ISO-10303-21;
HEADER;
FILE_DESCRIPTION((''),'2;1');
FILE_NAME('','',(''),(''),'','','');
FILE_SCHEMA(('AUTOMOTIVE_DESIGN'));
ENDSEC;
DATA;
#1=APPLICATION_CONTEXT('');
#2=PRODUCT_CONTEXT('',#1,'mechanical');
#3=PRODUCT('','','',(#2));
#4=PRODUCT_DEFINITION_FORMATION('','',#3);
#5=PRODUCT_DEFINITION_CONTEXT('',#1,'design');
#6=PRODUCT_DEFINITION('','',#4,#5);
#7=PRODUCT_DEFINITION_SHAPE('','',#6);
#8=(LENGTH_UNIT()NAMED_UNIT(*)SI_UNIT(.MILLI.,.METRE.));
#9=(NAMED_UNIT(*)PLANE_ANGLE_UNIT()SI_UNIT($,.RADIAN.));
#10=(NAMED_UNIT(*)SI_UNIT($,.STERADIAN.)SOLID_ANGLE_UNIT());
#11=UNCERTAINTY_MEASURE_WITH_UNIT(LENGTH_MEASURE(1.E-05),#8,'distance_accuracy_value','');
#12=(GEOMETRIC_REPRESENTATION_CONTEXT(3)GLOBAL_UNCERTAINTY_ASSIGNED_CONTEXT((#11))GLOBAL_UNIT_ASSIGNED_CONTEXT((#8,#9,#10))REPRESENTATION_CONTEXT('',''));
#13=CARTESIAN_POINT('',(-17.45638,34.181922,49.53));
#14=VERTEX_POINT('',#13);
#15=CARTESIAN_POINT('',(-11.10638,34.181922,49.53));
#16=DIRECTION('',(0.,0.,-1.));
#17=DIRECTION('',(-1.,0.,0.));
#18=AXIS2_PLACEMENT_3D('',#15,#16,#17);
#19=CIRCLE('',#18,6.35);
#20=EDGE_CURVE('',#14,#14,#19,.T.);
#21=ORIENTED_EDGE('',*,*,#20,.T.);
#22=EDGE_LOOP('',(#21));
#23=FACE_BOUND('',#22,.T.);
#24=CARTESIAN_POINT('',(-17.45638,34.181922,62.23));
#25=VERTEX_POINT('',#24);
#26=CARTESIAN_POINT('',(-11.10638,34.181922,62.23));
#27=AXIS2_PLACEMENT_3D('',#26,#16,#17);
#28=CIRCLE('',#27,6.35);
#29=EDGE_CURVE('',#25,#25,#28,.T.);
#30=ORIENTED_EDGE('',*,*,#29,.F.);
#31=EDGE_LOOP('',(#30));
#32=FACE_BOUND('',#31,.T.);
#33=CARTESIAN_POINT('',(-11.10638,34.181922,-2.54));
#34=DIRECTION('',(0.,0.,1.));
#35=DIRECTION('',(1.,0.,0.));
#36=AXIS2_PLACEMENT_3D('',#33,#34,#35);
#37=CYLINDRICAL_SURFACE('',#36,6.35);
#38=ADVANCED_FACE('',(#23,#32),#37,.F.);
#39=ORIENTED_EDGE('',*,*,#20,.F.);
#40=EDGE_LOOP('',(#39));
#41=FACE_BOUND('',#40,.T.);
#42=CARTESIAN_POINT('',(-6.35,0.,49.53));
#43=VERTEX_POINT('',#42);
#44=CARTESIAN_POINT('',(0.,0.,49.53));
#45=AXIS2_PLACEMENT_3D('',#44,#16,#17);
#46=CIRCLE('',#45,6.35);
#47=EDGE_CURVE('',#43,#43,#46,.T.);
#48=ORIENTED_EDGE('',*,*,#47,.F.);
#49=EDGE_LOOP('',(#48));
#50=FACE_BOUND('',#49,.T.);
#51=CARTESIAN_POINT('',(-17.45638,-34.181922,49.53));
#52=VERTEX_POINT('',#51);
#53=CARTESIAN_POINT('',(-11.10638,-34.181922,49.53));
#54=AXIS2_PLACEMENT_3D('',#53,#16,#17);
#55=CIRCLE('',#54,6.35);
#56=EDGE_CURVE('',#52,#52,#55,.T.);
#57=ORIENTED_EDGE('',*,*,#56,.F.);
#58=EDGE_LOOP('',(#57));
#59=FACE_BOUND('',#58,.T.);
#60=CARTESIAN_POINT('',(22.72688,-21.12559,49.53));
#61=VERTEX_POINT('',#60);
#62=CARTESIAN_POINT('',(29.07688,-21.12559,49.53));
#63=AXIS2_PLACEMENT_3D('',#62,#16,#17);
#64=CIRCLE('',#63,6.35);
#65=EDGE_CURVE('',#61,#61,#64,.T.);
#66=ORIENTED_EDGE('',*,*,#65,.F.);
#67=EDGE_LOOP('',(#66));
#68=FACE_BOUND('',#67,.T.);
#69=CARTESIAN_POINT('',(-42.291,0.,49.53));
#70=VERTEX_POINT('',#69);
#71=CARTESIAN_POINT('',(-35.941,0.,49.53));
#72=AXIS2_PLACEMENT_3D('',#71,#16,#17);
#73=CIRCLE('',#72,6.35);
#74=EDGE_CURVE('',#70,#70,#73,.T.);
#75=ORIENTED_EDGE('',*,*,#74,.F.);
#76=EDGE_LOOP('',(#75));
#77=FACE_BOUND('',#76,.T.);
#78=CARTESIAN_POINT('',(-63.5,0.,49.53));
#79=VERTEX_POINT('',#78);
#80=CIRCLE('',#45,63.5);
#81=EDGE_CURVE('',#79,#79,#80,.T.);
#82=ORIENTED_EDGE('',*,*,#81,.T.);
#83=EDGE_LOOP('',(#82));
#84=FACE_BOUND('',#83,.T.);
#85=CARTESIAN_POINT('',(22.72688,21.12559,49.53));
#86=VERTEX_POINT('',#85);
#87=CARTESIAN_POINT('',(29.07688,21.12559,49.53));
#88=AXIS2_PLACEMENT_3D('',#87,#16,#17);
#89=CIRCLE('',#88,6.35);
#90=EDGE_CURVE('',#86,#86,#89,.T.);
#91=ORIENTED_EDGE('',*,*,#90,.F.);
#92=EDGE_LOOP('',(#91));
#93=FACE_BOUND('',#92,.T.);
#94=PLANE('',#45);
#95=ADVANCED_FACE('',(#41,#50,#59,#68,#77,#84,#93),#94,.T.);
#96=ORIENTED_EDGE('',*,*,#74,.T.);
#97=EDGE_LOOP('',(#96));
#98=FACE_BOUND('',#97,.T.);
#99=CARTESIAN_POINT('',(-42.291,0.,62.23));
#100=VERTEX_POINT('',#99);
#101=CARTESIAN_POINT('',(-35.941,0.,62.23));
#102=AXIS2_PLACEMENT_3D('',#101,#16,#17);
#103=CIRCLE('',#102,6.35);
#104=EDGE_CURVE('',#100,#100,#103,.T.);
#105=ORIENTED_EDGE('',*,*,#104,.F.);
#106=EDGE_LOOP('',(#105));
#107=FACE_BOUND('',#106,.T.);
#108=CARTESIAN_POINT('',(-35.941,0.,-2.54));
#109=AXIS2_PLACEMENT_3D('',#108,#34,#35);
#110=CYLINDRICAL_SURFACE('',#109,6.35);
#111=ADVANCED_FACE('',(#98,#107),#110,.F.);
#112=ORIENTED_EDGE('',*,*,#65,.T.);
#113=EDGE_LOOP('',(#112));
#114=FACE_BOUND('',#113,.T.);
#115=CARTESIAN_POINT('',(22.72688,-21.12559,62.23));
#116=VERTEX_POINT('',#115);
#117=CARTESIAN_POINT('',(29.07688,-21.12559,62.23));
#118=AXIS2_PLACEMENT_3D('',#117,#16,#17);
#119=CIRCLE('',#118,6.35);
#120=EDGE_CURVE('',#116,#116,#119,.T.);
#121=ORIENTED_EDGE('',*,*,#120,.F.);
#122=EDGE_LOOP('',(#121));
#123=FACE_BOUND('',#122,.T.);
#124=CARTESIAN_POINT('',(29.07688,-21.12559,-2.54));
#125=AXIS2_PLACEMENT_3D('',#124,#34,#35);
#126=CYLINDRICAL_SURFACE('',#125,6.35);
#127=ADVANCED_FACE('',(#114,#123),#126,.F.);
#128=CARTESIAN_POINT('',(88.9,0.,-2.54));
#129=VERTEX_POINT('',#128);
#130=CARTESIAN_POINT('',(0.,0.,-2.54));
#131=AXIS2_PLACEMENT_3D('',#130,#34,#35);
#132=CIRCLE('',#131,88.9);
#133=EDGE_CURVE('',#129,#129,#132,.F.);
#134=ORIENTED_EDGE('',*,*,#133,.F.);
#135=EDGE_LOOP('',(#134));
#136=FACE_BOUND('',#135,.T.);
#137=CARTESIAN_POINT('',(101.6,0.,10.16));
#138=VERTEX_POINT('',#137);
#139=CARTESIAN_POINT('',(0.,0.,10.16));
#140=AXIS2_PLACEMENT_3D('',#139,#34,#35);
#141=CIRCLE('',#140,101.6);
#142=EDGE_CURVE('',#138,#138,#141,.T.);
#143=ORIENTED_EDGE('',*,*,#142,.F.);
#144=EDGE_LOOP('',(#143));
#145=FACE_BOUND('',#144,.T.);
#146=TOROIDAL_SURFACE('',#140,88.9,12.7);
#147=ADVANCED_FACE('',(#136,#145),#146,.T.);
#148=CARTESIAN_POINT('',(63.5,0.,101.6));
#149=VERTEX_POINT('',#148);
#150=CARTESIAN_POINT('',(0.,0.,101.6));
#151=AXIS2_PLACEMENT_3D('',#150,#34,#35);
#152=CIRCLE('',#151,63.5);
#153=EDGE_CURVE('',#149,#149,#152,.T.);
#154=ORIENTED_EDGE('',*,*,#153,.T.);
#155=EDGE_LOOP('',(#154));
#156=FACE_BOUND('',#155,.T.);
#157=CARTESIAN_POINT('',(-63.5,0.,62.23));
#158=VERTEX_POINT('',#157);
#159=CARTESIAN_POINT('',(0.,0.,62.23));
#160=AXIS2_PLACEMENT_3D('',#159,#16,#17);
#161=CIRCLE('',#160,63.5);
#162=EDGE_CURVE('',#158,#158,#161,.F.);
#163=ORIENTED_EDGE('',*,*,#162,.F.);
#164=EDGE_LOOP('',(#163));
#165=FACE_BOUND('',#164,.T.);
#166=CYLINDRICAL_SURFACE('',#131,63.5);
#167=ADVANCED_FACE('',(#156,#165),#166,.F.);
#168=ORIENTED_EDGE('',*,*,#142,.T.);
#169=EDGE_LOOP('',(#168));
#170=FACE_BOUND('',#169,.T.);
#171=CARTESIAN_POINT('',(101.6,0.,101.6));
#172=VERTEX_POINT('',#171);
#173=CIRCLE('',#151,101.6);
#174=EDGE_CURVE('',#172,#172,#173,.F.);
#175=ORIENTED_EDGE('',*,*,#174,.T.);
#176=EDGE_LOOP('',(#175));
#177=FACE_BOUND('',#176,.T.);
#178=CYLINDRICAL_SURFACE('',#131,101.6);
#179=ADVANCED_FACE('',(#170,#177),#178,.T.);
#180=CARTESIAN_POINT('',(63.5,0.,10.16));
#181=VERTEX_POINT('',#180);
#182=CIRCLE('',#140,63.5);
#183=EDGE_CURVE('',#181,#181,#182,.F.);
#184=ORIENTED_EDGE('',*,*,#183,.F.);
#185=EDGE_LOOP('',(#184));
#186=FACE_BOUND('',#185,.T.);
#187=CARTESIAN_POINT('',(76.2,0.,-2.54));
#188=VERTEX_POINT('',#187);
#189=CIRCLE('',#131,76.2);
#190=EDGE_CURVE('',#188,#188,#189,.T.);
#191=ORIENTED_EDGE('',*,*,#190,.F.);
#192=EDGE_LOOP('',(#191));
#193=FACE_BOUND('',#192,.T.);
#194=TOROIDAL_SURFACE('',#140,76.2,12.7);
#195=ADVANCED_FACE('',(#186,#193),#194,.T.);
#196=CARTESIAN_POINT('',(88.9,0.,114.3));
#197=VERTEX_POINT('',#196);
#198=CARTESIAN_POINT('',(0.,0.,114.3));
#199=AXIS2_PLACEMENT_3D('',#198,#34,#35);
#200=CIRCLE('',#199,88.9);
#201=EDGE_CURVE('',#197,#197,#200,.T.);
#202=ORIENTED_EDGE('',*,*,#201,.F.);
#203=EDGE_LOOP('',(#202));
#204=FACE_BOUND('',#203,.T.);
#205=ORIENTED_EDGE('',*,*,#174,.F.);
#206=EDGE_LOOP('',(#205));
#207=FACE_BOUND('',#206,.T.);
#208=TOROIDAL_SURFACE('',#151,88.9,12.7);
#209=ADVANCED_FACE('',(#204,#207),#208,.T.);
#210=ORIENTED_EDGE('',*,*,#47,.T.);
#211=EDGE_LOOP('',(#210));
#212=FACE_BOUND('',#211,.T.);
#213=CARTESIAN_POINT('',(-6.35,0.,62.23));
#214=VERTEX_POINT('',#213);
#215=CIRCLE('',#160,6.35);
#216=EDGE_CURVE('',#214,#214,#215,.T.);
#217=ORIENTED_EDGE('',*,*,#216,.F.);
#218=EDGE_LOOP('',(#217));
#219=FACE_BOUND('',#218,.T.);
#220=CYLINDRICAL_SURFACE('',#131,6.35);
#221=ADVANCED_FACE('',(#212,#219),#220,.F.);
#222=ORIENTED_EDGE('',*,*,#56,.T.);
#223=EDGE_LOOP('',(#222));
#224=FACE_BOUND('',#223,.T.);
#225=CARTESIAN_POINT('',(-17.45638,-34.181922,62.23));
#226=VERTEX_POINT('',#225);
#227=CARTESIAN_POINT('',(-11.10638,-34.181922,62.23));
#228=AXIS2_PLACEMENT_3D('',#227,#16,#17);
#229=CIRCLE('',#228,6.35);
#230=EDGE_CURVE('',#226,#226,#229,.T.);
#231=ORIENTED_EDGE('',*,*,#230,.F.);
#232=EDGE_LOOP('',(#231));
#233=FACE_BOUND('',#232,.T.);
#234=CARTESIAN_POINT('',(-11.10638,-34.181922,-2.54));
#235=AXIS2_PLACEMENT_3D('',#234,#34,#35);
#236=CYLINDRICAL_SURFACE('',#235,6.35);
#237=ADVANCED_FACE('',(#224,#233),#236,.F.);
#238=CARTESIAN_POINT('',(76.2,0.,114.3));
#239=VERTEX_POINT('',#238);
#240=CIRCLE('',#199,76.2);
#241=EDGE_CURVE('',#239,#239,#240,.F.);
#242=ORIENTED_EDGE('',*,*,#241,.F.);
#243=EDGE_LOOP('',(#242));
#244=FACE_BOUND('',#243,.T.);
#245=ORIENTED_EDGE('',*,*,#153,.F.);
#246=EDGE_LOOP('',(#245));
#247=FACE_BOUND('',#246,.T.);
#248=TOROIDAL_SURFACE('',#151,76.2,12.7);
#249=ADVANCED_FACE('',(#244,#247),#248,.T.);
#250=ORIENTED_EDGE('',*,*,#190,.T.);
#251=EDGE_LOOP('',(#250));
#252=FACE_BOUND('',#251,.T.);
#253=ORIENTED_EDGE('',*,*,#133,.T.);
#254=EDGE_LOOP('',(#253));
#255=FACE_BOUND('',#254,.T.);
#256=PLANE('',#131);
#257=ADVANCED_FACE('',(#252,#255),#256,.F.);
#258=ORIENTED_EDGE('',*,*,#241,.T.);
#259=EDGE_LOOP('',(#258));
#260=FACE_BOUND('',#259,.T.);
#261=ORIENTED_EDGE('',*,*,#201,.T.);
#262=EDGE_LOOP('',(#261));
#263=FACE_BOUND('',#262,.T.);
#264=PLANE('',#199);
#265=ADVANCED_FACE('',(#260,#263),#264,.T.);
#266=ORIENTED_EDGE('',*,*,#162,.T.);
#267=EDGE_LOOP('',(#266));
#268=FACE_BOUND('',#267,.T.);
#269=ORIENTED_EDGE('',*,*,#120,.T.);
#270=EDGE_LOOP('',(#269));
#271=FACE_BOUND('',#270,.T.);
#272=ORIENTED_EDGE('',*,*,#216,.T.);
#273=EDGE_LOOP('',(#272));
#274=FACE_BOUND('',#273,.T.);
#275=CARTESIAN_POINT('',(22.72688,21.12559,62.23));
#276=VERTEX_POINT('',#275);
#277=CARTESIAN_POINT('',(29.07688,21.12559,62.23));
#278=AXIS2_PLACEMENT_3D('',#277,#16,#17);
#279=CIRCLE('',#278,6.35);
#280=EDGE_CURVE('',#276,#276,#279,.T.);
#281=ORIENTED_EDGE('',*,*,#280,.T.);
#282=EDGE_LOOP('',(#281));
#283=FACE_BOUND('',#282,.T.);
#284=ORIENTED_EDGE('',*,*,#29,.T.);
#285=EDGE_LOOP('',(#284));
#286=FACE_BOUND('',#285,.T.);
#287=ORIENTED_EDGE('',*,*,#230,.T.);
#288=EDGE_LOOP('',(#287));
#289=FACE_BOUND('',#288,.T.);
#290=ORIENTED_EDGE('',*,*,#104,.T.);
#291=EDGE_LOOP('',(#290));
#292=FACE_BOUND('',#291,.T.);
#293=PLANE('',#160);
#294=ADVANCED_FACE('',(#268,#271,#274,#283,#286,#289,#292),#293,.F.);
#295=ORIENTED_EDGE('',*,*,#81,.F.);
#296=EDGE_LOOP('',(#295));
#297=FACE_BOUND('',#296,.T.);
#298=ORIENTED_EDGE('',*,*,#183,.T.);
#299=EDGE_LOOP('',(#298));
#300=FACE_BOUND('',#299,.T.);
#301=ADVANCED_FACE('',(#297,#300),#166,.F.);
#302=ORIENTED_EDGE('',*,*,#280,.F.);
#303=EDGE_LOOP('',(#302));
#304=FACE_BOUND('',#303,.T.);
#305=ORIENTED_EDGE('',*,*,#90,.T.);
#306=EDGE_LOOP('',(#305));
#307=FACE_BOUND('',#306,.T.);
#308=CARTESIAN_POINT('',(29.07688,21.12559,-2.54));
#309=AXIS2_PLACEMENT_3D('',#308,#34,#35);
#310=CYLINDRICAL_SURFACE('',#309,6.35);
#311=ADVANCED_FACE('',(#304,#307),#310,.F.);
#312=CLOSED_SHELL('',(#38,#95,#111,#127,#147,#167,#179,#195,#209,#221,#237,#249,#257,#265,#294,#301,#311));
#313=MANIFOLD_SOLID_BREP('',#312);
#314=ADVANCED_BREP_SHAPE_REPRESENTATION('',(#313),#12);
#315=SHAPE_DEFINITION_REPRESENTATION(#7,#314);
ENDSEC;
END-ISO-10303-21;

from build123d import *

# Parameters (mm, degrees)
SKETCH2_R                = 101.6
SKETCH2_R_2              = 63.5
BOSS_EXTRUDE1_DEPTH      = 114.3
BOSS_EXTRUDE1_DEPTH_BACK = 2.54
FILLET1_R                = 12.7
SKETCH4_R                = 63.5
BOSS_EXTRUDE2_DEPTH      = 6.35
BOSS_EXTRUDE2_DEPTH_BACK = 6.35
SKETCH13_R               = 6.35
CUT_EXTRUDE1_DEPTH       = 50.53
CUT_EXTRUDE1_DEPTH_BACK  = 68.3100001


with BuildPart() as part:
    # Sketch2 → Boss-Extrude1 (new body, two sides)
    with BuildSketch(Plane.XY) as boss_extrude1_sk:
        Circle(SKETCH2_R)
        Circle(SKETCH2_R_2, mode=Mode.SUBTRACT)
    extrude(amount=BOSS_EXTRUDE1_DEPTH)
    extrude(boss_extrude1_sk.sketch, amount=-BOSS_EXTRUDE1_DEPTH_BACK)

    # Fillet1
    fillet1_edges = [part.edges().sort_by_distance(p)[0] for p in [
        (-101.6, 0, -2.54),
        (-63.5, 0, -2.54),
        (-101.6, 0, 114.3),
        (-63.5, 0, 114.3),
    ]]
    fillet(fillet1_edges, radius=FILLET1_R)

    # Sketch4 → Boss-Extrude2 (add, two sides)
    with BuildSketch(Plane(origin=(0, 0, 55.88), x_dir=(-1, 0, 0), z_dir=(0, 0, -1))) as boss_extrude2_sk:
        Circle(SKETCH4_R)
    extrude(amount=BOSS_EXTRUDE2_DEPTH)
    extrude(boss_extrude2_sk.sketch, amount=-BOSS_EXTRUDE2_DEPTH_BACK)

    # Sketch13 → Cut-Extrude1 (cut, two sides)
    with BuildSketch(Plane.XY.offset(64.77)) as cut_extrude1_sk:
        Circle(SKETCH13_R)
        with Locations((-35.941, 0)):
            Circle(SKETCH13_R)
        with Locations((-11.106379795, 34.181922252)):
            Circle(SKETCH13_R)
        with Locations((29.076879795, 21.125589753)):
            Circle(SKETCH13_R)
        with Locations((29.076879795, -21.125589753)):
            Circle(SKETCH13_R)
        with Locations((-11.106379795, -34.181922252)):
            Circle(SKETCH13_R)
    extrude(amount=CUT_EXTRUDE1_DEPTH, mode=Mode.SUBTRACT)
    extrude(cut_extrude1_sk.sketch, amount=-CUT_EXTRUDE1_DEPTH_BACK, mode=Mode.SUBTRACT)


solid = part.part
